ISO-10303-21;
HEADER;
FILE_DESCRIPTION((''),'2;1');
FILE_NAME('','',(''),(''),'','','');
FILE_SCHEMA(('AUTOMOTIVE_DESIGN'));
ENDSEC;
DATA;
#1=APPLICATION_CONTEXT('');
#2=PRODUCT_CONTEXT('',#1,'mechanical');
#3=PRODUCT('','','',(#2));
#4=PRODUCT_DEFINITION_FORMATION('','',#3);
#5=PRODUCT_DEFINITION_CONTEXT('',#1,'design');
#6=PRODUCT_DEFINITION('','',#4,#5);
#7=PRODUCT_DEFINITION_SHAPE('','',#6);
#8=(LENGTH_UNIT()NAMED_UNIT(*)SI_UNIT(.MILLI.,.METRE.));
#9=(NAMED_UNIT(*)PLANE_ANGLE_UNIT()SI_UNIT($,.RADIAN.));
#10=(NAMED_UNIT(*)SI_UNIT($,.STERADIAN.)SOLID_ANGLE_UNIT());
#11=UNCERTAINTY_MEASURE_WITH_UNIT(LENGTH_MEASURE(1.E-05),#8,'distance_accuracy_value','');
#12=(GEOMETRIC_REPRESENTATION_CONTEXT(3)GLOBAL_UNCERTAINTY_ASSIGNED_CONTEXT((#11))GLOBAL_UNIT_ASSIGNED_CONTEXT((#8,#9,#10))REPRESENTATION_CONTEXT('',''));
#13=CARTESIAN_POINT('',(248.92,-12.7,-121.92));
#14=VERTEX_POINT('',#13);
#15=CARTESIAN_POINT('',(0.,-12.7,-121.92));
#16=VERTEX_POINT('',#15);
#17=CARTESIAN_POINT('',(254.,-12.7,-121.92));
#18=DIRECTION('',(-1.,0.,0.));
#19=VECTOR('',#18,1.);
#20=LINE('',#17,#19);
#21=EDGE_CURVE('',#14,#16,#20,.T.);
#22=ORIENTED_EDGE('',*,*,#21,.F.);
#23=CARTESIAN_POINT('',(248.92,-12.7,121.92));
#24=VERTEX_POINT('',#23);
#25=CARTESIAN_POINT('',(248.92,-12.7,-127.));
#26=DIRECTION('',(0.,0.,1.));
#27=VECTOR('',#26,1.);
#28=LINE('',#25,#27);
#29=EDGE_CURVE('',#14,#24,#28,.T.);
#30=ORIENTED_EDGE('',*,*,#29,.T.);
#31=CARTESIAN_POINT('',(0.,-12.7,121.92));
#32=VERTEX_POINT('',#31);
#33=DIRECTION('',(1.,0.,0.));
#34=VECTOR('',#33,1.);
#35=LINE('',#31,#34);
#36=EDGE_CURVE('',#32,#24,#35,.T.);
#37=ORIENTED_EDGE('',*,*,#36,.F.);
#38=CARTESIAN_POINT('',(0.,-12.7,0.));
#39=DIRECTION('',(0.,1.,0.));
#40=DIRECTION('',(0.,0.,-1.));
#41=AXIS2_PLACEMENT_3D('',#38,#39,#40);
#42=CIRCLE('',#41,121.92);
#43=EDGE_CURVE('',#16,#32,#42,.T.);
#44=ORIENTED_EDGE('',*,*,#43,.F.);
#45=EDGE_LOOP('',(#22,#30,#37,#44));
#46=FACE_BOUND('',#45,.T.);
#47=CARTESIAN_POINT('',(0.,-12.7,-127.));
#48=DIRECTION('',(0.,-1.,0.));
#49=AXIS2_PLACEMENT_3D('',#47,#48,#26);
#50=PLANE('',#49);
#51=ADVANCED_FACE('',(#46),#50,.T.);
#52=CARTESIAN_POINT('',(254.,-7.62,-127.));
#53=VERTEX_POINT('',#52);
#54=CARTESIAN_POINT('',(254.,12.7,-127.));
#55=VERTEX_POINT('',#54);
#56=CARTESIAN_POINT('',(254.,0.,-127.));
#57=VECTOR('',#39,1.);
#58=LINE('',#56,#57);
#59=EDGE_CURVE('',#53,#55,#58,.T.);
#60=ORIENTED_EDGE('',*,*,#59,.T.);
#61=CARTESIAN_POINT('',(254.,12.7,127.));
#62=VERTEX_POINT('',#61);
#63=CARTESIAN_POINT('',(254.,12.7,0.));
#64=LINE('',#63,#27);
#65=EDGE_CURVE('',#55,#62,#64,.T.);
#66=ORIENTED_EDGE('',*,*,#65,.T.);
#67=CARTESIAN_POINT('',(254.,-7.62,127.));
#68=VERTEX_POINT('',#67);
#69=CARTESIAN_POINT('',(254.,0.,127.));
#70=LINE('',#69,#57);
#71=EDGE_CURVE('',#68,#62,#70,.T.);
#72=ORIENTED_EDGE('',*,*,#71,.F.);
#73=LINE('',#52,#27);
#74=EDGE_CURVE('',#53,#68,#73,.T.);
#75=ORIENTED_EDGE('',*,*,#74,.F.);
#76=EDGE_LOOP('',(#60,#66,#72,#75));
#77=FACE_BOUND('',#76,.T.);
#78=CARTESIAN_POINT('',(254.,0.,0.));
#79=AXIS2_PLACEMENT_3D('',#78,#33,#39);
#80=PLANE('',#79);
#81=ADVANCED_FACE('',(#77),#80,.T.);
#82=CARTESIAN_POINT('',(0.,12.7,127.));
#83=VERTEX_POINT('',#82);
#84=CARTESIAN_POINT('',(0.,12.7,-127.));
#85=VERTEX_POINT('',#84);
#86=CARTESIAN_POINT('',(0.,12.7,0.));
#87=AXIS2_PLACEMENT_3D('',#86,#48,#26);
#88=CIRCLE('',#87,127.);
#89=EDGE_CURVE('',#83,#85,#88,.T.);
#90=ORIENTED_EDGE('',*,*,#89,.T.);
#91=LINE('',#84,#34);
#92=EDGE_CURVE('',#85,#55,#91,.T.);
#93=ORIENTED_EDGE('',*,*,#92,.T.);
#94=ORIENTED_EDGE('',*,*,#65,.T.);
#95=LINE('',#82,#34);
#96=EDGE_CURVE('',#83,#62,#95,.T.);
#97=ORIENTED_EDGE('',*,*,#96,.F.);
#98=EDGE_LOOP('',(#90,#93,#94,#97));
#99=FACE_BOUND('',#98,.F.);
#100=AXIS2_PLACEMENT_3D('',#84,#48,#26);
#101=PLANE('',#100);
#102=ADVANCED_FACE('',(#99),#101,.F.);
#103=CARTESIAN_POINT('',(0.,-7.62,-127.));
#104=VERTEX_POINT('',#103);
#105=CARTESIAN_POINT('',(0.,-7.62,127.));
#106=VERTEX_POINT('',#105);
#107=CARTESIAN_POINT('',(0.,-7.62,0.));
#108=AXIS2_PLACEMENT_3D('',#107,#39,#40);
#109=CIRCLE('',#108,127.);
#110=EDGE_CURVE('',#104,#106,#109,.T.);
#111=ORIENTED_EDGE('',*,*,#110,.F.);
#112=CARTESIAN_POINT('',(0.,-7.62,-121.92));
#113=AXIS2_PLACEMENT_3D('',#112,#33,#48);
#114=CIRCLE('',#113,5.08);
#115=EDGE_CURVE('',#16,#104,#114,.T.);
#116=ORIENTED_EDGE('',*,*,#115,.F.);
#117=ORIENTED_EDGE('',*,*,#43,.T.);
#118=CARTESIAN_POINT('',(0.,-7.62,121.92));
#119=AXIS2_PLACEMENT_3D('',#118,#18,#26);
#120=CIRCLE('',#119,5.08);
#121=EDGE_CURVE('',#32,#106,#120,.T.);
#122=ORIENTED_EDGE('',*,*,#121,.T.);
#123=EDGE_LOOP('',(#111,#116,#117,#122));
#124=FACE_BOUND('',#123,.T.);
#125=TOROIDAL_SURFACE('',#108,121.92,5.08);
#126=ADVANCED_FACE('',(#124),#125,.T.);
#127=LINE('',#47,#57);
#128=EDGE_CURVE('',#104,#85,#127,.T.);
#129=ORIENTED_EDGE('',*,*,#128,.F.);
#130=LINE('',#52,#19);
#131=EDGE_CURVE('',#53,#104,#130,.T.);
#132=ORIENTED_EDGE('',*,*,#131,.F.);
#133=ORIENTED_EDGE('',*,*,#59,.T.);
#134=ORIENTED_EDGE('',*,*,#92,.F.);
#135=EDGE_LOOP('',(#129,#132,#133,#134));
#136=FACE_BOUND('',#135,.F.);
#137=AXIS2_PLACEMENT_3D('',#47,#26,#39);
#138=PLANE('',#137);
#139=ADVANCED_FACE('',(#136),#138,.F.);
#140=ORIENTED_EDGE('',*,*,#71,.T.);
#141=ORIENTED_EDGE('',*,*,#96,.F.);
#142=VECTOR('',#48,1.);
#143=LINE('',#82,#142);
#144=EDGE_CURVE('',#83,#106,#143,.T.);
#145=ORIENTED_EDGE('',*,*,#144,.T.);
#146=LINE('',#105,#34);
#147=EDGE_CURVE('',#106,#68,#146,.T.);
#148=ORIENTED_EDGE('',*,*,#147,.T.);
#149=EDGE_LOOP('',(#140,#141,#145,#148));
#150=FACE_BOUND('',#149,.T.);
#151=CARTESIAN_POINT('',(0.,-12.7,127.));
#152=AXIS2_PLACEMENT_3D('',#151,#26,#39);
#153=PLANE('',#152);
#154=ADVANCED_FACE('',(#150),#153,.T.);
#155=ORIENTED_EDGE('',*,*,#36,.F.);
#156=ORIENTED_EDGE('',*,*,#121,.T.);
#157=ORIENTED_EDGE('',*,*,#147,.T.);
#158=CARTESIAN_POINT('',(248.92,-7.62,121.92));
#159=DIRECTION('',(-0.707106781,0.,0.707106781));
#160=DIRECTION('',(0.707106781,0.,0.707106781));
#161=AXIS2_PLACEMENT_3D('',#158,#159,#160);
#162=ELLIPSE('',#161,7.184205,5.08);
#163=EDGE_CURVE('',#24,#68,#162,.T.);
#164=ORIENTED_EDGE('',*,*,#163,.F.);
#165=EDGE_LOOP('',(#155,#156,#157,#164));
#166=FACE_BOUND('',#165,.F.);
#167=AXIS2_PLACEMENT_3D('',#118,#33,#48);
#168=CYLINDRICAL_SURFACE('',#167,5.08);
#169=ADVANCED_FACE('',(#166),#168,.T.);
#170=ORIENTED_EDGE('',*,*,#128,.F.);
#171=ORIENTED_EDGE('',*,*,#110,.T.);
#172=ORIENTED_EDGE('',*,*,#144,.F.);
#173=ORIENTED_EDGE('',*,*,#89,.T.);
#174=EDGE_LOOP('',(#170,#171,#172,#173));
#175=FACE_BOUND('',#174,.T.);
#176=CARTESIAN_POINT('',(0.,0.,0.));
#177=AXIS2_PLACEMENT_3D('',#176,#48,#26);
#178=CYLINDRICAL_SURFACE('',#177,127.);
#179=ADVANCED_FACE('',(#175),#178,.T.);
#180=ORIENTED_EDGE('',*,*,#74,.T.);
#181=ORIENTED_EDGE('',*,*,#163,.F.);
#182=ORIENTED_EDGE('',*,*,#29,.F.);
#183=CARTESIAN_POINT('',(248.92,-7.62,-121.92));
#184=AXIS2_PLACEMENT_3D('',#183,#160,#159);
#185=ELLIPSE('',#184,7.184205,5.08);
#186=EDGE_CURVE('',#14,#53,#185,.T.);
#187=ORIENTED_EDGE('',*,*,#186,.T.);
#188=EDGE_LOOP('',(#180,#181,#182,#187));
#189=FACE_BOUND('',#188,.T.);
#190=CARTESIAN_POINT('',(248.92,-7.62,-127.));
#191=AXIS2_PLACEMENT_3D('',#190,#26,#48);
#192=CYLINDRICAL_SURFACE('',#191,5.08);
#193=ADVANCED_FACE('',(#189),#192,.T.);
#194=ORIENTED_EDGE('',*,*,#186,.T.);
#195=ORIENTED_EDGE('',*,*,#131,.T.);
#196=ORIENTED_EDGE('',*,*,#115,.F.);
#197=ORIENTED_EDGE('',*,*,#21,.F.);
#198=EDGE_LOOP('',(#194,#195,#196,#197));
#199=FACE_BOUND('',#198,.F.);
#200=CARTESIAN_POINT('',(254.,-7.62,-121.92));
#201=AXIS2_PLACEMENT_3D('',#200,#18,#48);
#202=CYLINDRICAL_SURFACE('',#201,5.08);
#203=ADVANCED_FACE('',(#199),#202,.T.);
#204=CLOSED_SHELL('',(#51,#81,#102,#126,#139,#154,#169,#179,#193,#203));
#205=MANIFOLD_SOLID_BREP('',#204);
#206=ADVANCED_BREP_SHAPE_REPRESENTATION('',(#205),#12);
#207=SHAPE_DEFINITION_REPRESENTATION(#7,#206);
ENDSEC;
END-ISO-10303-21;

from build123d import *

# Parameters (mm, degrees)
F1_DEPTH = 12.7
F2_W     = 25.4
F2_H     = 254
F3_DEPTH = 254
F4_R     = 5.08


with BuildPart() as f1:
    # F0 (on Front) → F1 (new body, symmetric)
    with BuildSketch(Plane.XZ):
        with BuildLine():
            Line((0, -127), (0, 127))
            ThreePointArc((0, 127), (-127, 0), (0, -127))
        make_face()
    extrude(amount=F1_DEPTH, both=True)

    # F2 (on face) → F3 (join)
    with BuildSketch(Plane.YZ):
        Rectangle(F2_W, F2_H)
    extrude(amount=F3_DEPTH)

    # F4
    f4_edges = [f1.edges().sort_by_distance(p)[0] for p in [
        (127, -12.7, 127),
        (254, -12.7, 0),
    ]]
    fillet(f4_edges, radius=F4_R)


solid = f1.part
